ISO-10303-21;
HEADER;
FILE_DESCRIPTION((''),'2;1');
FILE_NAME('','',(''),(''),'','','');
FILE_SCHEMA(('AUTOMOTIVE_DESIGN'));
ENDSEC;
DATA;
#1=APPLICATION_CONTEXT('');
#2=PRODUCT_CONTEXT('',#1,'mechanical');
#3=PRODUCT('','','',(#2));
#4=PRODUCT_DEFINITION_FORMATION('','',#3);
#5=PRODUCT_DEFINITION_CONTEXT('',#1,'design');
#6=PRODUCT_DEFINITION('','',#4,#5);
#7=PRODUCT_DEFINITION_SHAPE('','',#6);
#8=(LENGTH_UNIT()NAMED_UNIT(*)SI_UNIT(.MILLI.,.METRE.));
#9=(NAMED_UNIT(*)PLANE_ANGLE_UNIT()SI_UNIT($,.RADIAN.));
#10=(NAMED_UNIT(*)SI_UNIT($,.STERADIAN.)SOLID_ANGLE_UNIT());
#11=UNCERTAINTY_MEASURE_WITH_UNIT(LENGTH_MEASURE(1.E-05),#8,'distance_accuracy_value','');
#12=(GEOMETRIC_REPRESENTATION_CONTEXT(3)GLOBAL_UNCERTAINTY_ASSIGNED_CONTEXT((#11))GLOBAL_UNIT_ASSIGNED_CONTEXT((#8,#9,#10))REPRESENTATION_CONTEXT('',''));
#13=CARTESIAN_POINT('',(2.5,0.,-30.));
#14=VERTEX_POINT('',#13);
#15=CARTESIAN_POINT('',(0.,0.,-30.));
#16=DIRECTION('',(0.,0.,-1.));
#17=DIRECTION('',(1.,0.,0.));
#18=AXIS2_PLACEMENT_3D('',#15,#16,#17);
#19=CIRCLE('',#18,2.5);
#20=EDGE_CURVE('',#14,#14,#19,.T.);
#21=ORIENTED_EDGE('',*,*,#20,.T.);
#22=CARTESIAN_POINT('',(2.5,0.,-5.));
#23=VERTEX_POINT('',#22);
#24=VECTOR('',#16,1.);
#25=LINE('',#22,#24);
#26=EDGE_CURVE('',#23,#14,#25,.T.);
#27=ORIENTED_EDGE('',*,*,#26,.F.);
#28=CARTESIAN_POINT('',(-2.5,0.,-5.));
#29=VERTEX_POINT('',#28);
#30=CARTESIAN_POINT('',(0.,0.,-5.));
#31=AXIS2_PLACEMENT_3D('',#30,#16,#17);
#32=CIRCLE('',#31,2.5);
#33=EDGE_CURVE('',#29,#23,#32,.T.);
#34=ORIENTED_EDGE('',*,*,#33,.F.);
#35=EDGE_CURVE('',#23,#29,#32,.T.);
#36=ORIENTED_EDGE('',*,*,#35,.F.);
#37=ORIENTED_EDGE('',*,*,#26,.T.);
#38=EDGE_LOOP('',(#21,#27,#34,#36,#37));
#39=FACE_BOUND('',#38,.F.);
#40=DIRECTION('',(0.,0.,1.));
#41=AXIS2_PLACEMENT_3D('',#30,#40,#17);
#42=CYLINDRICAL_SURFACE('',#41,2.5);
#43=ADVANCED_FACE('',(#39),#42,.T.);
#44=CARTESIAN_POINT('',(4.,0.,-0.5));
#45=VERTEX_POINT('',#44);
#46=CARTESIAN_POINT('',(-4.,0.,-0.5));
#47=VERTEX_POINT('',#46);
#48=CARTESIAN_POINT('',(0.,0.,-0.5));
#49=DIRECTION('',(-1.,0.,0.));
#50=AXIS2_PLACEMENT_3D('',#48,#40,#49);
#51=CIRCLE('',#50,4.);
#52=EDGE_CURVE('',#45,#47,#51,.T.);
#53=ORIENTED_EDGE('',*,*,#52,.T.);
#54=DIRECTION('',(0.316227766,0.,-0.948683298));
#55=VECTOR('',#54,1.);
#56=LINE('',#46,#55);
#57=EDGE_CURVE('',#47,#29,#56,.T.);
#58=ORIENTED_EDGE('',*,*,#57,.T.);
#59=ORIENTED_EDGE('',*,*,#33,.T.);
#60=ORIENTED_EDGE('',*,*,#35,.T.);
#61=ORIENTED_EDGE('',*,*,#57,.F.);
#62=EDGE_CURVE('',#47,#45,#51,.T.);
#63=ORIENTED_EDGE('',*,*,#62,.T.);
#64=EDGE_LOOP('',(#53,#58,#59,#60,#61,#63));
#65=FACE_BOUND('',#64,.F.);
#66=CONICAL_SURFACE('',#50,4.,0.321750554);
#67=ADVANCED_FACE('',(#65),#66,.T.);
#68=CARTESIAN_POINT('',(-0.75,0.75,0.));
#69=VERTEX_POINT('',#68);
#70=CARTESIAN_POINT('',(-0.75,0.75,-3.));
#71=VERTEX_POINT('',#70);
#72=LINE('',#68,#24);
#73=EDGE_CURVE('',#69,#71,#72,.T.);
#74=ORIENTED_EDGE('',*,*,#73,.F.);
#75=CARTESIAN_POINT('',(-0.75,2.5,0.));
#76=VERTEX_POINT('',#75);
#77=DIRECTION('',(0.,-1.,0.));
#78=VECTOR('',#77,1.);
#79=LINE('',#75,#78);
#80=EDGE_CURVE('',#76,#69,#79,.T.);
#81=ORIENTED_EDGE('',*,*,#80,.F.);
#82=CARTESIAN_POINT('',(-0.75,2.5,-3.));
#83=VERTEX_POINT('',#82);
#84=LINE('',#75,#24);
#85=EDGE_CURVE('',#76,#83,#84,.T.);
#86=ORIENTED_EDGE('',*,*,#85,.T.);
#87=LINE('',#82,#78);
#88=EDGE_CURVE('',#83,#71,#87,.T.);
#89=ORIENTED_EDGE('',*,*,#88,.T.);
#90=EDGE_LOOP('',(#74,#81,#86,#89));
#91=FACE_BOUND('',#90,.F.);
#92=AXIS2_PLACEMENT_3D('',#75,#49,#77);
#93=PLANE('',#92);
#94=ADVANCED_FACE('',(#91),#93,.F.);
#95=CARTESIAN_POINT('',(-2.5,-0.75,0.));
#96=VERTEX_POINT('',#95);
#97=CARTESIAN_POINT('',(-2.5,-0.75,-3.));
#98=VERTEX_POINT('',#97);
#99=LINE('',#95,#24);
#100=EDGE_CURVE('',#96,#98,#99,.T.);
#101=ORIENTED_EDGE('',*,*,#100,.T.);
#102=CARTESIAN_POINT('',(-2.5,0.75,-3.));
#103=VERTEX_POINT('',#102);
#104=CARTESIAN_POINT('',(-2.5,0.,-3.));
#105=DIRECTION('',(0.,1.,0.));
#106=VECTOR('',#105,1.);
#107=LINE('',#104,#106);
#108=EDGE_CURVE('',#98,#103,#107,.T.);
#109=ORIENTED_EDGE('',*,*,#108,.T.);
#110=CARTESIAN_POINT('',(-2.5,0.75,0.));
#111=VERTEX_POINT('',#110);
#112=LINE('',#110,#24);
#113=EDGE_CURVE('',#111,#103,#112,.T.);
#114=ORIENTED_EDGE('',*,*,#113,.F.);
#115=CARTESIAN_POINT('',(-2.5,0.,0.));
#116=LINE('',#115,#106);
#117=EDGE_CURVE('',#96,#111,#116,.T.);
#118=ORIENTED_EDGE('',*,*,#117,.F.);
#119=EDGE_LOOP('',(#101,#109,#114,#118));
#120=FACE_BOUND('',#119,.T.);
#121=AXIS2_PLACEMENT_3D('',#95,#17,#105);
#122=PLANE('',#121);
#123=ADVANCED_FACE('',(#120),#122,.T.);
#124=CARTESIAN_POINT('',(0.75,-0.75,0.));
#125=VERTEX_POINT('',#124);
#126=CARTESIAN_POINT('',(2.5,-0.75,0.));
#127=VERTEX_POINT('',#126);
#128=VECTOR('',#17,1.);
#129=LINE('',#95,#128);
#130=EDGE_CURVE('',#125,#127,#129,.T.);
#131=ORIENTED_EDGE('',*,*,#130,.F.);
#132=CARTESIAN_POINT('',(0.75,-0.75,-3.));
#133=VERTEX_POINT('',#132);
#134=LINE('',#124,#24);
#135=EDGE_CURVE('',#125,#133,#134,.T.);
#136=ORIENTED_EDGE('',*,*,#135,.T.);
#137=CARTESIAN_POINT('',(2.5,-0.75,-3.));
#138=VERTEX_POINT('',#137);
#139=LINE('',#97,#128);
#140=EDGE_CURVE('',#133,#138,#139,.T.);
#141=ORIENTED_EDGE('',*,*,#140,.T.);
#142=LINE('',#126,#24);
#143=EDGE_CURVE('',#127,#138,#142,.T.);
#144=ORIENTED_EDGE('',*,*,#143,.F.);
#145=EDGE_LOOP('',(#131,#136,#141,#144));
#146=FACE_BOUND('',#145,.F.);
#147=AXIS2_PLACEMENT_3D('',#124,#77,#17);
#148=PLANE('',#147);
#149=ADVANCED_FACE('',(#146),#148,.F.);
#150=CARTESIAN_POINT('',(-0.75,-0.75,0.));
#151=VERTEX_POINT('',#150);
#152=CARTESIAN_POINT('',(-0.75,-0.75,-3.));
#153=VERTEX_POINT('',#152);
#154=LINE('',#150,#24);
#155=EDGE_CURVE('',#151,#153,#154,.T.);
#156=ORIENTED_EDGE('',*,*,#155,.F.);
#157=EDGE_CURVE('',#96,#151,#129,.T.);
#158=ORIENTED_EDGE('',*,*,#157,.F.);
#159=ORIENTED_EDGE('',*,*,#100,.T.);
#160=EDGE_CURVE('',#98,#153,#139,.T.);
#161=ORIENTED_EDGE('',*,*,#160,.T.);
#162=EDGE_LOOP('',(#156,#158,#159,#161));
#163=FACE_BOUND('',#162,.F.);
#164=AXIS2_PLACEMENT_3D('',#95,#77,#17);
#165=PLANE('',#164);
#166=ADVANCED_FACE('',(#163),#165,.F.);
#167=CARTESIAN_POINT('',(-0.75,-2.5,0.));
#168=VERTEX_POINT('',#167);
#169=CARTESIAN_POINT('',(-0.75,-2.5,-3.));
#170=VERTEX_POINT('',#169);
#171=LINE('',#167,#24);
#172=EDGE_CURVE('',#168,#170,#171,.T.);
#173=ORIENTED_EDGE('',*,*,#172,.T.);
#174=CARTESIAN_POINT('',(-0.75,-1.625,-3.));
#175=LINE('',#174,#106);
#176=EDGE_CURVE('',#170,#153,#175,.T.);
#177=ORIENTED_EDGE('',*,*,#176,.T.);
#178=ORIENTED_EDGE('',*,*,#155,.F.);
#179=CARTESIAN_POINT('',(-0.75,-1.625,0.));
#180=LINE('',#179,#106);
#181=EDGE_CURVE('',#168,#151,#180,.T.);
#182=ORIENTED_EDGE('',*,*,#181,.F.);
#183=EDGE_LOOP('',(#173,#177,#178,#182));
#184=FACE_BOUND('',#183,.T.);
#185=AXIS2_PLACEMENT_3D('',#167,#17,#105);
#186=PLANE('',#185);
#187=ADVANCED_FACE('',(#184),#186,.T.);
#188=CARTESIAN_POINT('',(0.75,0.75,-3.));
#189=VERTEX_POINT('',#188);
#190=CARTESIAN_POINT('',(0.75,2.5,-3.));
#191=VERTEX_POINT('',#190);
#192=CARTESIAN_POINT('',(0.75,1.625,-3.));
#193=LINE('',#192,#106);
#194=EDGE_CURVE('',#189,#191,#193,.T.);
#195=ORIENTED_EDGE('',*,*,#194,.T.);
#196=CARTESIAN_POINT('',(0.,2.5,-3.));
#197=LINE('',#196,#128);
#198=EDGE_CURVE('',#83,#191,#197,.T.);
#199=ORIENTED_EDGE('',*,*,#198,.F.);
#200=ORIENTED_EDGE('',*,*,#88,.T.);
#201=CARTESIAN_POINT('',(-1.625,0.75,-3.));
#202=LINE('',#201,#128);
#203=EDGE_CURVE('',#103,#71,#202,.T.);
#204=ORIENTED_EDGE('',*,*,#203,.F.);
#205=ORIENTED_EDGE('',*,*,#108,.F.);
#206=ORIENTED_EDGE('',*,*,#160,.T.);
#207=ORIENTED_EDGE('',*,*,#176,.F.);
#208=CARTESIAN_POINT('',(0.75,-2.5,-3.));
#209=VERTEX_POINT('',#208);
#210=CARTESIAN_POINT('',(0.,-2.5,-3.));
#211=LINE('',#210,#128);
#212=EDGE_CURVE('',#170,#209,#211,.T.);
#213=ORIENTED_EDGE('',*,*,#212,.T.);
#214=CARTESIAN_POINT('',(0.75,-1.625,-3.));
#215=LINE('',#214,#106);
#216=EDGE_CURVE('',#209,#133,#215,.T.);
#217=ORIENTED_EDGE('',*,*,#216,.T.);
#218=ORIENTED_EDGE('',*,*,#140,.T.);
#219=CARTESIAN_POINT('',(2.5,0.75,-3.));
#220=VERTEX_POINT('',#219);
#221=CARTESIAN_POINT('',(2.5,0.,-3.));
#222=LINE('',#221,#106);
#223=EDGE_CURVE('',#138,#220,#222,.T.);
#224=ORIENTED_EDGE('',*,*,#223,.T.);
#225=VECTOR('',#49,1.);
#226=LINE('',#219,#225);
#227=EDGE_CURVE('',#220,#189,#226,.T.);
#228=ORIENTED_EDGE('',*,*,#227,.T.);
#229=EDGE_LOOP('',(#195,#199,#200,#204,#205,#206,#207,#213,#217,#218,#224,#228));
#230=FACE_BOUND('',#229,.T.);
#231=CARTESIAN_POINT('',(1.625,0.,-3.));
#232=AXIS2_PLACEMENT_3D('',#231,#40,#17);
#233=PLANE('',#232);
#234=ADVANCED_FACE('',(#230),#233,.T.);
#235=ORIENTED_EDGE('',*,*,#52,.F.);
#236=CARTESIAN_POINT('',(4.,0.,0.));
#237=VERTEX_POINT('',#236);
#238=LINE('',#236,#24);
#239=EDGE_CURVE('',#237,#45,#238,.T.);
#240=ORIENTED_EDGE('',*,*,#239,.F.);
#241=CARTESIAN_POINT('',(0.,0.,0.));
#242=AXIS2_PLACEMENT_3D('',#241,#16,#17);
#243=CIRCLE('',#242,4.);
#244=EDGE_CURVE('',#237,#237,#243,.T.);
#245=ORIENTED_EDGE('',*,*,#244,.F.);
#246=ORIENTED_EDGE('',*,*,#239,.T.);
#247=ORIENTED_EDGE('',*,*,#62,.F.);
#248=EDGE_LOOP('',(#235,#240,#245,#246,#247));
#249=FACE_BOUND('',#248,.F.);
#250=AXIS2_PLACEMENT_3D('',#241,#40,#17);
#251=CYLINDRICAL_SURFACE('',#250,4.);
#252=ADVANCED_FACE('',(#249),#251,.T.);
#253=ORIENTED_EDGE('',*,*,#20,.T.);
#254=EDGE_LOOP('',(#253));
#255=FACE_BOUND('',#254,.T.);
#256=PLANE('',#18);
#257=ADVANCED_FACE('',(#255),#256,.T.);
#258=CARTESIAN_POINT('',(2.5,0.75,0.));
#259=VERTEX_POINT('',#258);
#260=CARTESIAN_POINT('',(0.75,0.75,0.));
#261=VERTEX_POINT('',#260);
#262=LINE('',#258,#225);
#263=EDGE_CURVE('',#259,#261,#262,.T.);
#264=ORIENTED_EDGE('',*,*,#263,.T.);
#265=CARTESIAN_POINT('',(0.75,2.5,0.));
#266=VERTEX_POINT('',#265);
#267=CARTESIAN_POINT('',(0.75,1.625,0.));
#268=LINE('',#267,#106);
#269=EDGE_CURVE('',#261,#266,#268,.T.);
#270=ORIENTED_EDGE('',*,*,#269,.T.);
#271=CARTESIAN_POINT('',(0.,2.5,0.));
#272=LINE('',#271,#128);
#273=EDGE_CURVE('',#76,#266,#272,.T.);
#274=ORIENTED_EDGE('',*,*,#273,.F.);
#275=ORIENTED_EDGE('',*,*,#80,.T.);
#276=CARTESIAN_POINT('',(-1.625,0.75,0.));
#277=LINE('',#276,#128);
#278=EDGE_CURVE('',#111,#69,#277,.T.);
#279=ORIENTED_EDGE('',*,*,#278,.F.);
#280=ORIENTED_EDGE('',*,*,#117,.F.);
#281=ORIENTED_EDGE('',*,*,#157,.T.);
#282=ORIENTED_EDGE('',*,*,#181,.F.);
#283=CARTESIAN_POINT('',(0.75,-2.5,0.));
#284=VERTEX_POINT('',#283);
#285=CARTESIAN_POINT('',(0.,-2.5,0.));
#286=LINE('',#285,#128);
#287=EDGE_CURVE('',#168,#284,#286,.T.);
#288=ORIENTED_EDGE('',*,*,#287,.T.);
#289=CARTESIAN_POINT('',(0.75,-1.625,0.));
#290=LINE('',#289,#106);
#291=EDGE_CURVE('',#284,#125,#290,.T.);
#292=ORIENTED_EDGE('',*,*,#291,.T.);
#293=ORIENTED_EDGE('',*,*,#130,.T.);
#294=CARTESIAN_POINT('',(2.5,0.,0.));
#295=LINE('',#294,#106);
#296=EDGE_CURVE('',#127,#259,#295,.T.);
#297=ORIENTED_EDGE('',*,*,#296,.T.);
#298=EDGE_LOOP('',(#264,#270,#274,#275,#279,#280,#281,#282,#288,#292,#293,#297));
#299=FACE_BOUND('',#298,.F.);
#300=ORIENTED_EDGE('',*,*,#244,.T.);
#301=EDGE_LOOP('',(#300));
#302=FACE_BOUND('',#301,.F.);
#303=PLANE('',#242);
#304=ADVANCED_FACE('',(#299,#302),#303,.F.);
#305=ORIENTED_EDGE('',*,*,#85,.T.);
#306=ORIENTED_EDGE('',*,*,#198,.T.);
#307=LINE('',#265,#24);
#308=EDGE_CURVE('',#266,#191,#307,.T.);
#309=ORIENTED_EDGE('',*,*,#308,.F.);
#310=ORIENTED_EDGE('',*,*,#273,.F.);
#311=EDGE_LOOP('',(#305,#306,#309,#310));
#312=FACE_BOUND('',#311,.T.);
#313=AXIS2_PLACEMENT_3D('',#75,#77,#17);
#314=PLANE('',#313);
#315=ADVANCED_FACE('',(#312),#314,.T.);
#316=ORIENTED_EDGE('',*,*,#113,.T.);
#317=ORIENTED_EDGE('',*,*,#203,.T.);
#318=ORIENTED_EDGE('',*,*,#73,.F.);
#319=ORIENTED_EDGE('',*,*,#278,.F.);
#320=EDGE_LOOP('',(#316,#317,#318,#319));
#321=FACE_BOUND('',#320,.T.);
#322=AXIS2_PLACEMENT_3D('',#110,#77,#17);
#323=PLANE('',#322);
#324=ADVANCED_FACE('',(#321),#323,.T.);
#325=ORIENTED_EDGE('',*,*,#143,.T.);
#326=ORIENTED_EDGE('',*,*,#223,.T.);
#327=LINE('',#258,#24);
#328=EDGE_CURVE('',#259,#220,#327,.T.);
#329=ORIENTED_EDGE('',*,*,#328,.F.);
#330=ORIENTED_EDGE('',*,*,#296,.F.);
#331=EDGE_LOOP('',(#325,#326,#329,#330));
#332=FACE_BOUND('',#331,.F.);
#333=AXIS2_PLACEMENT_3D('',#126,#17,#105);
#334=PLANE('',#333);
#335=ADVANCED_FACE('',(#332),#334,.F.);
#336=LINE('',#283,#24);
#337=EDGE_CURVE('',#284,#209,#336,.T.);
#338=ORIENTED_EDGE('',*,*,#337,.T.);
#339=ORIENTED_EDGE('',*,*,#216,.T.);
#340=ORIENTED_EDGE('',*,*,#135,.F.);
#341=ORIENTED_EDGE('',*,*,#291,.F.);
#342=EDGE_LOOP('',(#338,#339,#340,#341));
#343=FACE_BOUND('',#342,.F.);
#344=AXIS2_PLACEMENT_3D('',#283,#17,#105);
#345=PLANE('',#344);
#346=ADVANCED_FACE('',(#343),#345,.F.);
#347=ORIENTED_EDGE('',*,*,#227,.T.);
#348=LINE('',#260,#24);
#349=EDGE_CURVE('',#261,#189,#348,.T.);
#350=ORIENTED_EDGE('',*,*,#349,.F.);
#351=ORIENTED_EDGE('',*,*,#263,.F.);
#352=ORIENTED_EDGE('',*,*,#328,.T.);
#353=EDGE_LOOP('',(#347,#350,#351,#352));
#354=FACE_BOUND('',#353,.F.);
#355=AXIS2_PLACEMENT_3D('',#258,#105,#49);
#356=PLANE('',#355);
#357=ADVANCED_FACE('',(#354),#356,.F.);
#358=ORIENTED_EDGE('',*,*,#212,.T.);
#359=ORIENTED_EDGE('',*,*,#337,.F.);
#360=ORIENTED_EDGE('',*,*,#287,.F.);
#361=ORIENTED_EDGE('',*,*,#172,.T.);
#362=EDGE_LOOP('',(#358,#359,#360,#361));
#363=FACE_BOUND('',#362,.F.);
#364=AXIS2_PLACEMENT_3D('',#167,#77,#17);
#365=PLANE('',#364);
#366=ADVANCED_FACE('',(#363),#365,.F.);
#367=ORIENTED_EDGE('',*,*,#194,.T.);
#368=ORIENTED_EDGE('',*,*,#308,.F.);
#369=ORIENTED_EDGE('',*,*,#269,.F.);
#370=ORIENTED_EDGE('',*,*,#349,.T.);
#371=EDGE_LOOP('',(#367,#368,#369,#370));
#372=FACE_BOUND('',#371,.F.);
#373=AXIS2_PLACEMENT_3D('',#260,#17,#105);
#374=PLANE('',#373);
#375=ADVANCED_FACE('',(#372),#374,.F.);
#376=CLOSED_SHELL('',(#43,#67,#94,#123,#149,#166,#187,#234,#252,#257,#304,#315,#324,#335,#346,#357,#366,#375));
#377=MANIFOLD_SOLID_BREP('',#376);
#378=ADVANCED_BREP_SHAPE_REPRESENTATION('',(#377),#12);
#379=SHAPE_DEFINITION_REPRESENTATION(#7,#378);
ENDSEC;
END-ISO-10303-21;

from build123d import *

# Parameters (mm, degrees)
F0_R     = 4
F1_DEPTH = 5
F2_R     = 2.5
F3_DEPTH = 25
F6_W     = 1.75
F6_H     = 1.5
F6_W_2   = 1.5
F6_H_2   = 1.75
F7_DEPTH = 3
F9_ANGLE = 180


with BuildPart() as f1:
    # F0 (on Top) → F1 (new body)
    with BuildSketch(Plane.XY):
        Circle(F0_R)
    extrude(amount=F1_DEPTH)

    # F2 (on face) → F3 (join)
    with BuildSketch(Plane.XY.offset(5)):
        Circle(F2_R)
    extrude(amount=F3_DEPTH)

    # F4 (on Front) → F5 (revolve, cut)
    with BuildSketch(Plane.XZ):
        Polygon((-4, 0.5), (-2.5, 5), (-4, 5), align=None)
    revolve(axis=Axis((0, 0, 2.5), (0, 0, -1)), mode=Mode.SUBTRACT)

    # F6 (on face) → F7 (cut)
    with BuildSketch(Plane(origin=(0, 0, 0), x_dir=(1, 0, 0), z_dir=(0, 0, -1))):
        with Locations((1.625, 0)):
            Rectangle(F6_W, F6_H)
        Rectangle(F6_W_2, F6_H)
        with Locations((0, 1.625)):
            Rectangle(F6_W_2, F6_H_2)
        with Locations((-1.625, 0)):
            Rectangle(F6_W, F6_H)
        with Locations((0, -1.625)):
            Rectangle(F6_W_2, F6_H_2)
    extrude(amount=-F7_DEPTH, mode=Mode.SUBTRACT)


with BuildPart() as f1_1:
    # F9: moved
    add(f1.part.rotate(Axis((9.6651110798, 0, 0), (1, 0, 0)), F9_ANGLE))


solid = f1_1.part
